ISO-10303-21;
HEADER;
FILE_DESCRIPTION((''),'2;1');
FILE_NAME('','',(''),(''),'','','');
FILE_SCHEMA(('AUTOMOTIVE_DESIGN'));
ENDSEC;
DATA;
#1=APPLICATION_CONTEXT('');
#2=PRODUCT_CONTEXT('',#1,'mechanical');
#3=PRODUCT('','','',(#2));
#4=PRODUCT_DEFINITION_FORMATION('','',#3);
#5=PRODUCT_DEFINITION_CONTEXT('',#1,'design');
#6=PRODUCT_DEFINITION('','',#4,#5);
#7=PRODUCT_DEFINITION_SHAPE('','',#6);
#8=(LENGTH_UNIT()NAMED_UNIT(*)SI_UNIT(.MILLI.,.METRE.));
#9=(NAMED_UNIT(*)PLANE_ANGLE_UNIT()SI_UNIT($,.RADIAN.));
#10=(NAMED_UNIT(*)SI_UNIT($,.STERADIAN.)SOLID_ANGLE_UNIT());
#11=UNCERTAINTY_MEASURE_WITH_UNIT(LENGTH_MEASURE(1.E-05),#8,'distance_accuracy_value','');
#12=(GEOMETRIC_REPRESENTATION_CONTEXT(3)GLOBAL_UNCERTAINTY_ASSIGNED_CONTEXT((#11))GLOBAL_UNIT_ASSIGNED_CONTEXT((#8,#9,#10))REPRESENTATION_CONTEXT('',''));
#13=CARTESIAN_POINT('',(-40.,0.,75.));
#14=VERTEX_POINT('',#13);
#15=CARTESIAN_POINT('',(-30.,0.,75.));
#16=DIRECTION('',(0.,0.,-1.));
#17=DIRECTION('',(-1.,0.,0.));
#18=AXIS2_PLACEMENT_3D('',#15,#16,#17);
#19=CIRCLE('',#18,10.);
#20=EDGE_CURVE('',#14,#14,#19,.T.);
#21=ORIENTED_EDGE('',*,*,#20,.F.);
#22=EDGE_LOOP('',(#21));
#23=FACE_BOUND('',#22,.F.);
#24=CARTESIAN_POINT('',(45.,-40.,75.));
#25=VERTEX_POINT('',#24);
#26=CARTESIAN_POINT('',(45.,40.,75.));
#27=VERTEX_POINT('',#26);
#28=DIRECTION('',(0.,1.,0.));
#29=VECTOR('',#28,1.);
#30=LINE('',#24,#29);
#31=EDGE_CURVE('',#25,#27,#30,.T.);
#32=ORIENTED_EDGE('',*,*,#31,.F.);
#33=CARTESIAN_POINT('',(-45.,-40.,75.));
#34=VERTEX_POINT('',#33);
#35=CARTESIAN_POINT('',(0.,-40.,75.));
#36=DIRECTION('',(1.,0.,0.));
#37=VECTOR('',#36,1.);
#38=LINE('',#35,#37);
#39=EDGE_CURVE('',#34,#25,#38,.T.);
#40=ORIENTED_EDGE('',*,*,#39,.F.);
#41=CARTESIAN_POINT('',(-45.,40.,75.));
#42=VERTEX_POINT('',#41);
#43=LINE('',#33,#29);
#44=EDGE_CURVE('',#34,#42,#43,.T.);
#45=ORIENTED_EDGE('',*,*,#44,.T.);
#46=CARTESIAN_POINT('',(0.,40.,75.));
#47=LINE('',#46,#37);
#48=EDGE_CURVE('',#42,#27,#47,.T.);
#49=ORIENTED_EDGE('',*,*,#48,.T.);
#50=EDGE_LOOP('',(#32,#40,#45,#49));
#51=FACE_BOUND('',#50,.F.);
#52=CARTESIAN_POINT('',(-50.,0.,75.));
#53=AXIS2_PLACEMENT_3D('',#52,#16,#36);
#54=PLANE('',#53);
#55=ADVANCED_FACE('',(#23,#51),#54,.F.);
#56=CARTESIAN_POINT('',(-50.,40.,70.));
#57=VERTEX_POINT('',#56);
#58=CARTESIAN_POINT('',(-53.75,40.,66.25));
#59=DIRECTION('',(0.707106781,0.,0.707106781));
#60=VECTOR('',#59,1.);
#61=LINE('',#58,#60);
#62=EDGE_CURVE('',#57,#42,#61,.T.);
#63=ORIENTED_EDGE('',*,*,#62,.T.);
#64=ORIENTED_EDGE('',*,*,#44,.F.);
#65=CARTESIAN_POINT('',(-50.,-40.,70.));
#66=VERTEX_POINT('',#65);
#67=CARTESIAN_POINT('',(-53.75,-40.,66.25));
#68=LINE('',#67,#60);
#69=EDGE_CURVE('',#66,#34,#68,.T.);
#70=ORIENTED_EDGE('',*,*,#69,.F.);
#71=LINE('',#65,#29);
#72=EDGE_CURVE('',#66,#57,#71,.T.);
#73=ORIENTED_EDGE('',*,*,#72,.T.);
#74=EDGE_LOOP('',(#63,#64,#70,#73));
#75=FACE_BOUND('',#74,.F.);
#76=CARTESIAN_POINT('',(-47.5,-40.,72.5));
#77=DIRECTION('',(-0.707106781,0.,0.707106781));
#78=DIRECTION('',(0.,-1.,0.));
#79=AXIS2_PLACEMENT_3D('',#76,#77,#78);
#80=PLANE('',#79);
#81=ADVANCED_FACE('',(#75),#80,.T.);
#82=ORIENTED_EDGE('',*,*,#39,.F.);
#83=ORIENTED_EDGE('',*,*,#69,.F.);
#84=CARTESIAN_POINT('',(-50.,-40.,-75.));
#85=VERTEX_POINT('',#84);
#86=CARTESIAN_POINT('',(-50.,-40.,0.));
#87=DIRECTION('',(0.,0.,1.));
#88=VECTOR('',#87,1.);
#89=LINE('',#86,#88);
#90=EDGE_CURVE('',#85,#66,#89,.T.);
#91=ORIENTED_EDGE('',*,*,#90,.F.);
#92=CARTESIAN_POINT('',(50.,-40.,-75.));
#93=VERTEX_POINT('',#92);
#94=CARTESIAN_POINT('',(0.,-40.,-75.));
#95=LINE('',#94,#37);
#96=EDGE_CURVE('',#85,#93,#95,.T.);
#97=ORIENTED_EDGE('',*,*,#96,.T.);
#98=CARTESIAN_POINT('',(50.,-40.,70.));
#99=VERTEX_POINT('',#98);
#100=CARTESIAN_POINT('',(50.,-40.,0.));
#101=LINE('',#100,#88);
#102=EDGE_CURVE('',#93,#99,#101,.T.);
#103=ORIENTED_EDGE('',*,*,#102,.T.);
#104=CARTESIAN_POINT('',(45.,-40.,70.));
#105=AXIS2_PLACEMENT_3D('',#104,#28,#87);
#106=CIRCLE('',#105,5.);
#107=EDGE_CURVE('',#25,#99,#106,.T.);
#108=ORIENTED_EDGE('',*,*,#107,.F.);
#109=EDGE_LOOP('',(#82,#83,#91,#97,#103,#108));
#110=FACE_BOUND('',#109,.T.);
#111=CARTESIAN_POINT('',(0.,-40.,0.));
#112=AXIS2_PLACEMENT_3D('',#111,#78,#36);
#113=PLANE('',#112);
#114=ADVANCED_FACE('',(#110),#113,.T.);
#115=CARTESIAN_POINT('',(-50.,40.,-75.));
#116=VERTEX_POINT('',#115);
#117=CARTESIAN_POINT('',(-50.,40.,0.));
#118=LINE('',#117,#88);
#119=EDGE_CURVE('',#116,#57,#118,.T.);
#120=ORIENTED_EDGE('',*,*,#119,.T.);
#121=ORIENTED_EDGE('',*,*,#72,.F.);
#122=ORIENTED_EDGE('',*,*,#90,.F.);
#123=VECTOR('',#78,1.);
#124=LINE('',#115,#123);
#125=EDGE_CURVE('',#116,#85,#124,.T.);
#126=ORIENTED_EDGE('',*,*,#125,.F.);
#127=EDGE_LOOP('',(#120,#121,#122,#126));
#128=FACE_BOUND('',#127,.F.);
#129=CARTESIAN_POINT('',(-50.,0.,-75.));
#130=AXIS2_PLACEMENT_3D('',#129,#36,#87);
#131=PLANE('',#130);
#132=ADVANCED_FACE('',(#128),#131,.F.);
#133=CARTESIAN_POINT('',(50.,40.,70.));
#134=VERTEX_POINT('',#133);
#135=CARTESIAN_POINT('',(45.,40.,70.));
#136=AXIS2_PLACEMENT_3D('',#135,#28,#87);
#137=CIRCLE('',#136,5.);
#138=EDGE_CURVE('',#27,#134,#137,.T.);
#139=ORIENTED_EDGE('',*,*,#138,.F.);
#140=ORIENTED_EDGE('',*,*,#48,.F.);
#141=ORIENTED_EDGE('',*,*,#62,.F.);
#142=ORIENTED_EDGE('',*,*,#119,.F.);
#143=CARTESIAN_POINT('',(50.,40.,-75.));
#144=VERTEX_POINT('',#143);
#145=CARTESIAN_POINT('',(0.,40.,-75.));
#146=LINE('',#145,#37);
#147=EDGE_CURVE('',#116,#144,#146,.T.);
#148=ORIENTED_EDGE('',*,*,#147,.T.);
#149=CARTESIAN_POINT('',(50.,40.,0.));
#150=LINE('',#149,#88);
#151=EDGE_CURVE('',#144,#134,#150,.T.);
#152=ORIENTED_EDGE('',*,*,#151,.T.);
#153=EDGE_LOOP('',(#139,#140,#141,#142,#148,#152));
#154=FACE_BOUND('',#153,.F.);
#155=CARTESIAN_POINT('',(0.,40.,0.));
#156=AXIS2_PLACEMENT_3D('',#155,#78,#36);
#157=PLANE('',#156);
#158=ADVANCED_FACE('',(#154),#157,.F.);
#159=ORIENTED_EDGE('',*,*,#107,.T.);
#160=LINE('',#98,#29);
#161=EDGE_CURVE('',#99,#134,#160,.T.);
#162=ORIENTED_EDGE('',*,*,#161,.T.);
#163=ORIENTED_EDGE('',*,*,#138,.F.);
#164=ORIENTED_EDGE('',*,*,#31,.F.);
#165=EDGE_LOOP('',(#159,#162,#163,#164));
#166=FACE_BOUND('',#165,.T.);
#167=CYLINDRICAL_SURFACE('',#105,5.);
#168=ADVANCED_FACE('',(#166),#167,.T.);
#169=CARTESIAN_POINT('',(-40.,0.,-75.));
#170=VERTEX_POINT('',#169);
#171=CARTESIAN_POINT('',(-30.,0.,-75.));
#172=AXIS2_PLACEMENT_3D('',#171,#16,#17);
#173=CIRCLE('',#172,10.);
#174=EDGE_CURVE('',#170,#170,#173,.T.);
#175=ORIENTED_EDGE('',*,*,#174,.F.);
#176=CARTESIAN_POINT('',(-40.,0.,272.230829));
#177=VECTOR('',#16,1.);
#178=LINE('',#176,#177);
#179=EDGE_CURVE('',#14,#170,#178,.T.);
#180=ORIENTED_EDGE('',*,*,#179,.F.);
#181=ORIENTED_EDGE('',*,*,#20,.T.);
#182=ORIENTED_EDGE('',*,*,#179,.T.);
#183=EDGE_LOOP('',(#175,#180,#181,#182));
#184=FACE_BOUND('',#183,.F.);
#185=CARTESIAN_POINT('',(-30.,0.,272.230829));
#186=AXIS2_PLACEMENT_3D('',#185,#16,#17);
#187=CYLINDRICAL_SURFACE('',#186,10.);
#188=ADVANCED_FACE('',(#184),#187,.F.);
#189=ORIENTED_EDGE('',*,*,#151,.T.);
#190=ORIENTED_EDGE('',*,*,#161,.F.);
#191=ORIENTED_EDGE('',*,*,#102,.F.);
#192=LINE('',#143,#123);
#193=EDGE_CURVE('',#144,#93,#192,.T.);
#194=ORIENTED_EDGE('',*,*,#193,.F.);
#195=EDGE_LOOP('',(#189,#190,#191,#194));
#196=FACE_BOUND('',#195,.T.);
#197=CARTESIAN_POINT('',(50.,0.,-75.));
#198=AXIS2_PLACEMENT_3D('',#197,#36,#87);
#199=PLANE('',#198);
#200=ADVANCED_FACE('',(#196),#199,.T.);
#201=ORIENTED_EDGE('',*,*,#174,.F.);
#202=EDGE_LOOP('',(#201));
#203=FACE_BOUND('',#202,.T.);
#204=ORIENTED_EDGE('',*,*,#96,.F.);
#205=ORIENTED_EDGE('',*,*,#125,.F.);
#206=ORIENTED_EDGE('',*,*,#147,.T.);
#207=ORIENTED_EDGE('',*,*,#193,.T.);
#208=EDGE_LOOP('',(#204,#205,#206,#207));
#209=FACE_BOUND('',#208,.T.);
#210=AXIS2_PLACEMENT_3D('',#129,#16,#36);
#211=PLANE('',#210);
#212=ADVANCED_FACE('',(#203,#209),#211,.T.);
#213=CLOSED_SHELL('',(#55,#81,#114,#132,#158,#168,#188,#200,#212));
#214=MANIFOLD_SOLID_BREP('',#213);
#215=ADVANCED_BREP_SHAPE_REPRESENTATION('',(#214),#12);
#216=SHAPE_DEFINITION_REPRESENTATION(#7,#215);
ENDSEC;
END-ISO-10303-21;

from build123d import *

# Parameters (mm, degrees)
F0_W     = 100
F0_H     = 150
F1_DEPTH = 40
F3_D     = 20
F4_SIZE  = 5
F5_R     = 5


with BuildPart() as f1:
    # F0 (on Front) → F1 (new body, symmetric)
    with BuildSketch(Plane.XZ):
        Rectangle(F0_W, F0_H)
    extrude(amount=F1_DEPTH, both=True)

    # F3 (through all)
    with Locations(Plane.XY.offset(75)):
        with Locations((-30, 0)):
            Hole(F3_D / 2)

    # F4
    f4_edges = [f1.edges().sort_by_distance(p)[0] for p in [
        (-50, 0, 75),
    ]]
    chamfer(f4_edges, length=F4_SIZE)

    # F5
    f5_edges = [f1.edges().sort_by_distance(p)[0] for p in [
        (50, 0, 75),
    ]]
    fillet(f5_edges, radius=F5_R)


solid = f1.part
